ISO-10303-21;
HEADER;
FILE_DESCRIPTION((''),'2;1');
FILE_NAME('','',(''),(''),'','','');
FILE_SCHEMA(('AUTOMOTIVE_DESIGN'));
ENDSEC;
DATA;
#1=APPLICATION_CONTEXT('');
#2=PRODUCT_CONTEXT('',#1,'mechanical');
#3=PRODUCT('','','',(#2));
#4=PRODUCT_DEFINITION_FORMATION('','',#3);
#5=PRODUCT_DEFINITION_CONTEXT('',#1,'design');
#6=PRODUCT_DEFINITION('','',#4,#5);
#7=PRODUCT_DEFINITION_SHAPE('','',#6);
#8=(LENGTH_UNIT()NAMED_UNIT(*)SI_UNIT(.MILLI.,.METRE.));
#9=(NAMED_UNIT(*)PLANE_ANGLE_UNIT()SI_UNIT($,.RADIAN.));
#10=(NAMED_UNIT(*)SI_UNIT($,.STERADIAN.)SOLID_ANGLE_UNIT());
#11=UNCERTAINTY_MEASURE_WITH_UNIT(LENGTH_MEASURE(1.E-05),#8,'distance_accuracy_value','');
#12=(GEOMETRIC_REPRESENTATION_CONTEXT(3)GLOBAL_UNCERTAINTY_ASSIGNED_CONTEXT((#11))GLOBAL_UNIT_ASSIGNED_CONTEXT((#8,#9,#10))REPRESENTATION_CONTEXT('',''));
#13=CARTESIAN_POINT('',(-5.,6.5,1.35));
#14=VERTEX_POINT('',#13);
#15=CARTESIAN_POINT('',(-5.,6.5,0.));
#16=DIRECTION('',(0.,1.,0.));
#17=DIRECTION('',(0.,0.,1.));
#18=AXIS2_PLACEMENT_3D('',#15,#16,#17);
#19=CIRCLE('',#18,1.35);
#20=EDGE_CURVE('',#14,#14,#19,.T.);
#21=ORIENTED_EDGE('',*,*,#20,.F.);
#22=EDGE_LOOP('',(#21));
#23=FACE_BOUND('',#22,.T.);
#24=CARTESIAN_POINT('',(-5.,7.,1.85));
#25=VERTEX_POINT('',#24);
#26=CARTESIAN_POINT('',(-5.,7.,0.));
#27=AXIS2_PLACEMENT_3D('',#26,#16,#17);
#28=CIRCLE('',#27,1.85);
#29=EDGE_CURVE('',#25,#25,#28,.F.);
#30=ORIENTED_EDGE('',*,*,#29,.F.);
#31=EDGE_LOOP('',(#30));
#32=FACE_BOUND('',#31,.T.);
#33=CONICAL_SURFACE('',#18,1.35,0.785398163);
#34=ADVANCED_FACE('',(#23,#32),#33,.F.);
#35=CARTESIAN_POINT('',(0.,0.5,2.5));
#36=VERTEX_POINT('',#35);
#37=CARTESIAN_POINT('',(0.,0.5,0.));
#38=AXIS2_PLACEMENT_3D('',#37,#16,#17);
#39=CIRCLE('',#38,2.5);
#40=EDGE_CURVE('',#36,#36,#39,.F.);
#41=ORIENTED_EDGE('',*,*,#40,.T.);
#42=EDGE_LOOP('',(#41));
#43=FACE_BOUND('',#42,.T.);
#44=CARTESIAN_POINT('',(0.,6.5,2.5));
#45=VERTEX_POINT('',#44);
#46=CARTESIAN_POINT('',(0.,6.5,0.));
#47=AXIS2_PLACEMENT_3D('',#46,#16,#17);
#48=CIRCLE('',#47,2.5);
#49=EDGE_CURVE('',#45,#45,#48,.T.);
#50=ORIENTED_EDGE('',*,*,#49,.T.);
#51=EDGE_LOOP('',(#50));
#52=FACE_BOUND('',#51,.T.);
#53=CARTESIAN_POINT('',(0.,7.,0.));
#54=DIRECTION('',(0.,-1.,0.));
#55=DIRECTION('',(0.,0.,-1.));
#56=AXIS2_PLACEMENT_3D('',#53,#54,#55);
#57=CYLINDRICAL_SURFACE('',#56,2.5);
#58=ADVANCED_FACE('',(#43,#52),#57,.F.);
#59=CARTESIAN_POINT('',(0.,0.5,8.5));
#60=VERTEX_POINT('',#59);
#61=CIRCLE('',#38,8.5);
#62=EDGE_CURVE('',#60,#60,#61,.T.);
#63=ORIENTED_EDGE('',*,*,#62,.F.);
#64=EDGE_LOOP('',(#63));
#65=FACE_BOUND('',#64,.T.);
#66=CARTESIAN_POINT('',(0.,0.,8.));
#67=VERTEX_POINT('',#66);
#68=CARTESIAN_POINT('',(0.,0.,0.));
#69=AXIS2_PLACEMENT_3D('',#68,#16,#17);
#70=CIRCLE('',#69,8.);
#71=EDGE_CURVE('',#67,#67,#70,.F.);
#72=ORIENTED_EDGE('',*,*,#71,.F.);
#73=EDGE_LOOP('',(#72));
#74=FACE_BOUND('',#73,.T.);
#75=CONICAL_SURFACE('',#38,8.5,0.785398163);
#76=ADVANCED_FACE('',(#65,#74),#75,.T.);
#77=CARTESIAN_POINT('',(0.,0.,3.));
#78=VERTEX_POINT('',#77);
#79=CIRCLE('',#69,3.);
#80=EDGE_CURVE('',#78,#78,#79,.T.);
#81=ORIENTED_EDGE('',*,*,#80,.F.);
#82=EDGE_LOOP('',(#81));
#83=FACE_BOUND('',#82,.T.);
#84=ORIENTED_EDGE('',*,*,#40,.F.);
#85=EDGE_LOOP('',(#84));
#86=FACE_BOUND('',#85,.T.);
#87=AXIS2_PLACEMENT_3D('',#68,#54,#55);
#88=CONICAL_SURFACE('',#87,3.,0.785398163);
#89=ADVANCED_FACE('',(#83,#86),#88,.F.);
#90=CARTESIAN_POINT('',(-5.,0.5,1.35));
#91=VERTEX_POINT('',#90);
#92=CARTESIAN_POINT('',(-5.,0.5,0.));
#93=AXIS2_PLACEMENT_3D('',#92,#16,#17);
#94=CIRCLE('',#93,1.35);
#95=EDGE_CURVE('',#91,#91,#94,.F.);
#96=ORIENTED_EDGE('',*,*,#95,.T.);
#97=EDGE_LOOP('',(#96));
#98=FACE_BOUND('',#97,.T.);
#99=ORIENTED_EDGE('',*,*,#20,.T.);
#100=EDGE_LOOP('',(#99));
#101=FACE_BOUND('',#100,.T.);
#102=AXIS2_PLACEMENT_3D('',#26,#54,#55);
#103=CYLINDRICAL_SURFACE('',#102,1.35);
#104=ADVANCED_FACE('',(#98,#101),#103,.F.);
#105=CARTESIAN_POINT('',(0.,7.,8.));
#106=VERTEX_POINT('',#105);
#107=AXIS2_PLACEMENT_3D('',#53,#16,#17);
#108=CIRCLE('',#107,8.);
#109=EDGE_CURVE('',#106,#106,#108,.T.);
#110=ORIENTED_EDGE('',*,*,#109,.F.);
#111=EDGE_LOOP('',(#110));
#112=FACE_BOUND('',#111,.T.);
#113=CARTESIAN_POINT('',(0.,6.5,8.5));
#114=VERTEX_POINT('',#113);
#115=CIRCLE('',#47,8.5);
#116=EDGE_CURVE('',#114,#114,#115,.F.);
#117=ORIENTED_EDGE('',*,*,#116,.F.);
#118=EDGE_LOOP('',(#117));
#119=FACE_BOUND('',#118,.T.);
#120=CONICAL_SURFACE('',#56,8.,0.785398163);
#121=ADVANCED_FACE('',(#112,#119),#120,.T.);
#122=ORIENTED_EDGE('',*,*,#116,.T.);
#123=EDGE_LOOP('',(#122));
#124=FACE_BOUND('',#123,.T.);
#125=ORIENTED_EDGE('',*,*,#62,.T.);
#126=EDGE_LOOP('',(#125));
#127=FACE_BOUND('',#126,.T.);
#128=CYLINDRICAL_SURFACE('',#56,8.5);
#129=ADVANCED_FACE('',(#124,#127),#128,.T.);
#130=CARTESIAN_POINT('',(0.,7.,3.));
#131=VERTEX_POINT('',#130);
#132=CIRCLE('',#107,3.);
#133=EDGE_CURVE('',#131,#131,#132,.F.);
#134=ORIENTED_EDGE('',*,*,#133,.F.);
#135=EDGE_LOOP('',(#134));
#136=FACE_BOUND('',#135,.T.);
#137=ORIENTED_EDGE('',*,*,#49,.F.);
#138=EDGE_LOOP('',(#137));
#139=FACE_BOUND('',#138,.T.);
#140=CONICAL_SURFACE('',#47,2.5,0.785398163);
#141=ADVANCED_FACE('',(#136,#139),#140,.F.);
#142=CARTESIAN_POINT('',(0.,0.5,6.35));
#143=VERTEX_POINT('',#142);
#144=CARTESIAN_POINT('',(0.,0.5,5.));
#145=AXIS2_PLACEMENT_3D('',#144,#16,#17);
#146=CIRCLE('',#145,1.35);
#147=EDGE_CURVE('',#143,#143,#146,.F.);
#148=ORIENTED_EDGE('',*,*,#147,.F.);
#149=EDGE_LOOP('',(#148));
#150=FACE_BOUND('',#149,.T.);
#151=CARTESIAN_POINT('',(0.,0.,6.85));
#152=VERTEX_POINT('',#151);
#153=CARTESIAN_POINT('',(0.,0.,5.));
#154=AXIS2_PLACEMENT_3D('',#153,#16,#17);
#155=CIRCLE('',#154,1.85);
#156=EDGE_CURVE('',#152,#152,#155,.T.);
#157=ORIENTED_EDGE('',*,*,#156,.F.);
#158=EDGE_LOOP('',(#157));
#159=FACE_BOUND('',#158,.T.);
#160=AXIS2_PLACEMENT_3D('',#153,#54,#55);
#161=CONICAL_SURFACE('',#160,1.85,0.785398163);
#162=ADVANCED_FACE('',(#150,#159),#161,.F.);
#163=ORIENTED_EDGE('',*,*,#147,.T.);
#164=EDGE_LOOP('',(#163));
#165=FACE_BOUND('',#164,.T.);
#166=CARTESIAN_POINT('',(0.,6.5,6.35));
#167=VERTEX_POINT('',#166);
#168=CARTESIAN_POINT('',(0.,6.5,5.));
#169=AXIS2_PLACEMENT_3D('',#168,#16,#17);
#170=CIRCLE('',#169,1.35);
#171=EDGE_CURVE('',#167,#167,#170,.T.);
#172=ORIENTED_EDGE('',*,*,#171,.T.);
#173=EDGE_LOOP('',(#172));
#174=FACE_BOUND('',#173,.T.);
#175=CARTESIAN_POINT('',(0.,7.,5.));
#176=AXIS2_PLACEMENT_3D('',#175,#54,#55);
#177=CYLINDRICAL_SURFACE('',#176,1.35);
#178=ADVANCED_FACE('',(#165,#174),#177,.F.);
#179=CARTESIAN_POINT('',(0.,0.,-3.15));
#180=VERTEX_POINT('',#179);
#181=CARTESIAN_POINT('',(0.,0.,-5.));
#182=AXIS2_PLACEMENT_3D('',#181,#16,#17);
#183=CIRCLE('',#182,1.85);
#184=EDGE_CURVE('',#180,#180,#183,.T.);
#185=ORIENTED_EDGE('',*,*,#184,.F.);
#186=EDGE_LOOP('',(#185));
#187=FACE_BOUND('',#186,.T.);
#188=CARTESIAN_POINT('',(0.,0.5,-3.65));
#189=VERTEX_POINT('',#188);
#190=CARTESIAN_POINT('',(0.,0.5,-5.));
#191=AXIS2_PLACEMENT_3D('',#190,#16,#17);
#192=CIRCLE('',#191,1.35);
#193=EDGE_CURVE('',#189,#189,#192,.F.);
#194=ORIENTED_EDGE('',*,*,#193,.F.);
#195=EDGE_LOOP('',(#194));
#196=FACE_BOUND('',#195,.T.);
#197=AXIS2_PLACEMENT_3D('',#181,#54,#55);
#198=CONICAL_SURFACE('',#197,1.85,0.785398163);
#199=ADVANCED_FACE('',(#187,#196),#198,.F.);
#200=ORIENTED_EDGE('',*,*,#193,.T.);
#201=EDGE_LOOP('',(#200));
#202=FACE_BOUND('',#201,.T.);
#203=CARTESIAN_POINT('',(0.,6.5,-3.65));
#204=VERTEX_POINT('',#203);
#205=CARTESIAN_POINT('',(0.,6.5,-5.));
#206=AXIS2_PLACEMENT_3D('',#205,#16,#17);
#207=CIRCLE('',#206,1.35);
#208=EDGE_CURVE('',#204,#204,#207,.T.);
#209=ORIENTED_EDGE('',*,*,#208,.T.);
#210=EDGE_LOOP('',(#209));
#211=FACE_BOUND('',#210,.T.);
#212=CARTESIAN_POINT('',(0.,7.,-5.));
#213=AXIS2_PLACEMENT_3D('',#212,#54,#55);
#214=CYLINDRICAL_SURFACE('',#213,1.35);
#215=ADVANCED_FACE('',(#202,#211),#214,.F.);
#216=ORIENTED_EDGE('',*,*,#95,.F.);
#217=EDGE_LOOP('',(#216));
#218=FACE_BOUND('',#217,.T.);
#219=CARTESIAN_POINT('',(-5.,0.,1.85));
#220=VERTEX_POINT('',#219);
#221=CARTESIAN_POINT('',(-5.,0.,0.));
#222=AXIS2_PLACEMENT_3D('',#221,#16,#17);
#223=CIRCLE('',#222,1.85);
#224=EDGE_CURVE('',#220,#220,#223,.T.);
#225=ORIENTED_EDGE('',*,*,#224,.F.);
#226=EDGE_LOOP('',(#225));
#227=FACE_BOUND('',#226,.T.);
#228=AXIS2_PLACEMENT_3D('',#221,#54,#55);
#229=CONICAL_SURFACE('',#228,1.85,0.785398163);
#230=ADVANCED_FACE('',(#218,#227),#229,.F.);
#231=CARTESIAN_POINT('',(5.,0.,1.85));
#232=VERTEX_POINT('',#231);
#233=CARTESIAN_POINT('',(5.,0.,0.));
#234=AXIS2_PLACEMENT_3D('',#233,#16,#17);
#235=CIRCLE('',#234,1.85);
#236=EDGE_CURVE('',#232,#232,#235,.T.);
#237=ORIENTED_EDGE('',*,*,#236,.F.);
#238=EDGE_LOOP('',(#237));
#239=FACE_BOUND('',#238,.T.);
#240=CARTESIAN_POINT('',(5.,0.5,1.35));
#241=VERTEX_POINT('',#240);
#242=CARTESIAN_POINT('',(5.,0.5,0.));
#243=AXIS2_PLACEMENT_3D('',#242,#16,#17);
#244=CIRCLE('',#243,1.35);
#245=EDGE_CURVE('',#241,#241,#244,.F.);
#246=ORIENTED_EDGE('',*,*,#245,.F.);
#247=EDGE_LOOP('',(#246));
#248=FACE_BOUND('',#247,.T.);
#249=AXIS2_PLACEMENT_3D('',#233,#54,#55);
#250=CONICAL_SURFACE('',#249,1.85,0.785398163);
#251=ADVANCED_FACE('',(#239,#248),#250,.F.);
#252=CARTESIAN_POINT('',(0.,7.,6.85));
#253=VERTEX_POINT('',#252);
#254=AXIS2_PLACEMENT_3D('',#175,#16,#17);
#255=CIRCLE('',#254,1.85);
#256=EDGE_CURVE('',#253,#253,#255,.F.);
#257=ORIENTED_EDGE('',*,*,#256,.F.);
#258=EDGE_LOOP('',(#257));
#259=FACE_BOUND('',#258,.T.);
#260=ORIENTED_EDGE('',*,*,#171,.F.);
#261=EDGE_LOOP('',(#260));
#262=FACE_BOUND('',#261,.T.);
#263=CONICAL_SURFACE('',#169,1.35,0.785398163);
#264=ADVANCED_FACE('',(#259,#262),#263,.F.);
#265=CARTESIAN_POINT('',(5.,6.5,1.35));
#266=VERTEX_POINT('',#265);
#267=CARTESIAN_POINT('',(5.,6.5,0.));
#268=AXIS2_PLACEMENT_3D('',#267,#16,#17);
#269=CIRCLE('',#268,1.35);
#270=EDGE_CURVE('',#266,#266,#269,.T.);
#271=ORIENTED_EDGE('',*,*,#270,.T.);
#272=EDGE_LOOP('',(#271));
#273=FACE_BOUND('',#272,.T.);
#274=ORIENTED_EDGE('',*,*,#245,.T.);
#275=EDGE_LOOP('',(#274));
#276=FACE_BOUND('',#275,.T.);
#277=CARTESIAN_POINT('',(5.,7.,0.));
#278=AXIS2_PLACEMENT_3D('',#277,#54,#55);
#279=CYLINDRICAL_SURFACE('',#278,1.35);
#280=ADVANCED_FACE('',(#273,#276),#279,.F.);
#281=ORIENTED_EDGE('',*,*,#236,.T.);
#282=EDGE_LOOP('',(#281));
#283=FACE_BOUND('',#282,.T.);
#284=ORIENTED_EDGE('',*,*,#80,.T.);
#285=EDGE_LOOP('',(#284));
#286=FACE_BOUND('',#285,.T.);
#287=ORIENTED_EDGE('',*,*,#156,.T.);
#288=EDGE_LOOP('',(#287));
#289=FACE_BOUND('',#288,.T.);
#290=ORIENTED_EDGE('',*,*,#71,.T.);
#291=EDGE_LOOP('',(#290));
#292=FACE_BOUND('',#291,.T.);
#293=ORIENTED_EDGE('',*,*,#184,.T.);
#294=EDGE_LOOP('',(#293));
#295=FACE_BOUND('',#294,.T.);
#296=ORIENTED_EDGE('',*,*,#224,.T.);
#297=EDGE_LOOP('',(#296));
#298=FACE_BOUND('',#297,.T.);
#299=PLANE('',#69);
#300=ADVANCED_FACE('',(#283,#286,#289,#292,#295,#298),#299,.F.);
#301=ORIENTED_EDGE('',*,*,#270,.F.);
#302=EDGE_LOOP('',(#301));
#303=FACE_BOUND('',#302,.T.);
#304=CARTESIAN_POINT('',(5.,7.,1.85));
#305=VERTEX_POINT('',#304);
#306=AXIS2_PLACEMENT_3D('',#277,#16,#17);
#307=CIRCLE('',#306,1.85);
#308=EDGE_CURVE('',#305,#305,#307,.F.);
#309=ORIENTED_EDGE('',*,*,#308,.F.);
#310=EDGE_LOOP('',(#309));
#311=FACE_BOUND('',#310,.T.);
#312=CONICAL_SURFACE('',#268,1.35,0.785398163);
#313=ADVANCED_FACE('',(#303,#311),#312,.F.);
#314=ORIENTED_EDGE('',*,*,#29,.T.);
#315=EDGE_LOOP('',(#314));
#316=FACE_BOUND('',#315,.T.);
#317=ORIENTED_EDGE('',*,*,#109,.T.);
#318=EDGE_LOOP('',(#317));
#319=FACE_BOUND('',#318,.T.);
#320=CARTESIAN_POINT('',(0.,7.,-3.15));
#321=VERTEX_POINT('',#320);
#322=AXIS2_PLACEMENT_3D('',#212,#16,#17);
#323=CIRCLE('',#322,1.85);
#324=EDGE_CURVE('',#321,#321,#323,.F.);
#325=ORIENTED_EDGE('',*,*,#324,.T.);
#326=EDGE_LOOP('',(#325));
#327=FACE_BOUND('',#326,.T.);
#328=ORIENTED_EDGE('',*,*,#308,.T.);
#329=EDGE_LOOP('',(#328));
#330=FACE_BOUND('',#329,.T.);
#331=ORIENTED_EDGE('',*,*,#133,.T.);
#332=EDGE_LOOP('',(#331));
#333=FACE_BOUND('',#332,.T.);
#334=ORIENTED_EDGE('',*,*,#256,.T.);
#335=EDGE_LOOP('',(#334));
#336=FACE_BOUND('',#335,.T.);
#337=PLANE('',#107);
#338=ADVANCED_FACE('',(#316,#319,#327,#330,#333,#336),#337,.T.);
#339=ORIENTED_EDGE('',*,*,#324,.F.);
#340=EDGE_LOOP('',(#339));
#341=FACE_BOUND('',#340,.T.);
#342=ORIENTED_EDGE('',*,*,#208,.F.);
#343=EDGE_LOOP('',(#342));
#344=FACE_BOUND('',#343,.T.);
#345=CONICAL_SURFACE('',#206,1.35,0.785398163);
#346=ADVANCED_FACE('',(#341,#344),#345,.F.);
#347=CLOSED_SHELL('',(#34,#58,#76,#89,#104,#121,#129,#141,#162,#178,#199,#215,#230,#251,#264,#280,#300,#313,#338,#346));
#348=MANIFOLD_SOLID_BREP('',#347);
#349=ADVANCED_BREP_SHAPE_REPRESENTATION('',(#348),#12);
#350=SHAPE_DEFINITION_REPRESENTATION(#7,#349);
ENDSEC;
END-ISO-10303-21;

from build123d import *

# Parameters (mm, degrees)
SKETCH_1_R      = 8.5
SKETCH_1_R_2    = 1.35
SKETCH_1_R_3    = 2.5
EXTRUDE_1_DEPTH = 7
CHAMFER_1_SIZE  = 0.5


with BuildPart() as part:
    # 草图1 → 凸台-拉伸1 (new body)
    with BuildSketch(Plane(origin=(0, 0, 0), x_dir=(1, 0, 0), z_dir=(0, 1, 0))):
        with Locations(Location((0, 0, 0), (0, 0, 270))):
            Circle(SKETCH_1_R)
        with Locations(Location((-5, 0, 0), (0, 0, 270))):
            Circle(SKETCH_1_R_2, mode=Mode.SUBTRACT)
        with Locations(Location((0, 5, 0), (0, 0, 270))):
            Circle(SKETCH_1_R_2, mode=Mode.SUBTRACT)
        with Locations(Location((5, 0, 0), (0, 0, 270))):
            Circle(SKETCH_1_R_2, mode=Mode.SUBTRACT)
        with Locations(Location((0, -5, 0), (0, 0, 270))):
            Circle(SKETCH_1_R_2, mode=Mode.SUBTRACT)
        with Locations(Location((0, 0, 0), (0, 0, 270))):
            Circle(SKETCH_1_R_3, mode=Mode.SUBTRACT)
    extrude(amount=EXTRUDE_1_DEPTH)

    # 倒角1
    chamfer_1_edges = [part.edges().sort_by_distance(p)[0] for p in [
        (0, 0, -6.35),
        (0, 7, -6.35),
        (5, 0, -1.35),
        (5, 7, -1.35),
        (0, 0, -8.5),
        (0, 0, 3.65),
        (0, 7, 3.65),
        (0, 7, -8.5),
        (-5, 0, -1.35),
        (-5, 7, -1.35),
        (0, 0, -2.5),
        (0, 7, -2.5),
    ]]
    chamfer(chamfer_1_edges, length=CHAMFER_1_SIZE)


solid = part.part
